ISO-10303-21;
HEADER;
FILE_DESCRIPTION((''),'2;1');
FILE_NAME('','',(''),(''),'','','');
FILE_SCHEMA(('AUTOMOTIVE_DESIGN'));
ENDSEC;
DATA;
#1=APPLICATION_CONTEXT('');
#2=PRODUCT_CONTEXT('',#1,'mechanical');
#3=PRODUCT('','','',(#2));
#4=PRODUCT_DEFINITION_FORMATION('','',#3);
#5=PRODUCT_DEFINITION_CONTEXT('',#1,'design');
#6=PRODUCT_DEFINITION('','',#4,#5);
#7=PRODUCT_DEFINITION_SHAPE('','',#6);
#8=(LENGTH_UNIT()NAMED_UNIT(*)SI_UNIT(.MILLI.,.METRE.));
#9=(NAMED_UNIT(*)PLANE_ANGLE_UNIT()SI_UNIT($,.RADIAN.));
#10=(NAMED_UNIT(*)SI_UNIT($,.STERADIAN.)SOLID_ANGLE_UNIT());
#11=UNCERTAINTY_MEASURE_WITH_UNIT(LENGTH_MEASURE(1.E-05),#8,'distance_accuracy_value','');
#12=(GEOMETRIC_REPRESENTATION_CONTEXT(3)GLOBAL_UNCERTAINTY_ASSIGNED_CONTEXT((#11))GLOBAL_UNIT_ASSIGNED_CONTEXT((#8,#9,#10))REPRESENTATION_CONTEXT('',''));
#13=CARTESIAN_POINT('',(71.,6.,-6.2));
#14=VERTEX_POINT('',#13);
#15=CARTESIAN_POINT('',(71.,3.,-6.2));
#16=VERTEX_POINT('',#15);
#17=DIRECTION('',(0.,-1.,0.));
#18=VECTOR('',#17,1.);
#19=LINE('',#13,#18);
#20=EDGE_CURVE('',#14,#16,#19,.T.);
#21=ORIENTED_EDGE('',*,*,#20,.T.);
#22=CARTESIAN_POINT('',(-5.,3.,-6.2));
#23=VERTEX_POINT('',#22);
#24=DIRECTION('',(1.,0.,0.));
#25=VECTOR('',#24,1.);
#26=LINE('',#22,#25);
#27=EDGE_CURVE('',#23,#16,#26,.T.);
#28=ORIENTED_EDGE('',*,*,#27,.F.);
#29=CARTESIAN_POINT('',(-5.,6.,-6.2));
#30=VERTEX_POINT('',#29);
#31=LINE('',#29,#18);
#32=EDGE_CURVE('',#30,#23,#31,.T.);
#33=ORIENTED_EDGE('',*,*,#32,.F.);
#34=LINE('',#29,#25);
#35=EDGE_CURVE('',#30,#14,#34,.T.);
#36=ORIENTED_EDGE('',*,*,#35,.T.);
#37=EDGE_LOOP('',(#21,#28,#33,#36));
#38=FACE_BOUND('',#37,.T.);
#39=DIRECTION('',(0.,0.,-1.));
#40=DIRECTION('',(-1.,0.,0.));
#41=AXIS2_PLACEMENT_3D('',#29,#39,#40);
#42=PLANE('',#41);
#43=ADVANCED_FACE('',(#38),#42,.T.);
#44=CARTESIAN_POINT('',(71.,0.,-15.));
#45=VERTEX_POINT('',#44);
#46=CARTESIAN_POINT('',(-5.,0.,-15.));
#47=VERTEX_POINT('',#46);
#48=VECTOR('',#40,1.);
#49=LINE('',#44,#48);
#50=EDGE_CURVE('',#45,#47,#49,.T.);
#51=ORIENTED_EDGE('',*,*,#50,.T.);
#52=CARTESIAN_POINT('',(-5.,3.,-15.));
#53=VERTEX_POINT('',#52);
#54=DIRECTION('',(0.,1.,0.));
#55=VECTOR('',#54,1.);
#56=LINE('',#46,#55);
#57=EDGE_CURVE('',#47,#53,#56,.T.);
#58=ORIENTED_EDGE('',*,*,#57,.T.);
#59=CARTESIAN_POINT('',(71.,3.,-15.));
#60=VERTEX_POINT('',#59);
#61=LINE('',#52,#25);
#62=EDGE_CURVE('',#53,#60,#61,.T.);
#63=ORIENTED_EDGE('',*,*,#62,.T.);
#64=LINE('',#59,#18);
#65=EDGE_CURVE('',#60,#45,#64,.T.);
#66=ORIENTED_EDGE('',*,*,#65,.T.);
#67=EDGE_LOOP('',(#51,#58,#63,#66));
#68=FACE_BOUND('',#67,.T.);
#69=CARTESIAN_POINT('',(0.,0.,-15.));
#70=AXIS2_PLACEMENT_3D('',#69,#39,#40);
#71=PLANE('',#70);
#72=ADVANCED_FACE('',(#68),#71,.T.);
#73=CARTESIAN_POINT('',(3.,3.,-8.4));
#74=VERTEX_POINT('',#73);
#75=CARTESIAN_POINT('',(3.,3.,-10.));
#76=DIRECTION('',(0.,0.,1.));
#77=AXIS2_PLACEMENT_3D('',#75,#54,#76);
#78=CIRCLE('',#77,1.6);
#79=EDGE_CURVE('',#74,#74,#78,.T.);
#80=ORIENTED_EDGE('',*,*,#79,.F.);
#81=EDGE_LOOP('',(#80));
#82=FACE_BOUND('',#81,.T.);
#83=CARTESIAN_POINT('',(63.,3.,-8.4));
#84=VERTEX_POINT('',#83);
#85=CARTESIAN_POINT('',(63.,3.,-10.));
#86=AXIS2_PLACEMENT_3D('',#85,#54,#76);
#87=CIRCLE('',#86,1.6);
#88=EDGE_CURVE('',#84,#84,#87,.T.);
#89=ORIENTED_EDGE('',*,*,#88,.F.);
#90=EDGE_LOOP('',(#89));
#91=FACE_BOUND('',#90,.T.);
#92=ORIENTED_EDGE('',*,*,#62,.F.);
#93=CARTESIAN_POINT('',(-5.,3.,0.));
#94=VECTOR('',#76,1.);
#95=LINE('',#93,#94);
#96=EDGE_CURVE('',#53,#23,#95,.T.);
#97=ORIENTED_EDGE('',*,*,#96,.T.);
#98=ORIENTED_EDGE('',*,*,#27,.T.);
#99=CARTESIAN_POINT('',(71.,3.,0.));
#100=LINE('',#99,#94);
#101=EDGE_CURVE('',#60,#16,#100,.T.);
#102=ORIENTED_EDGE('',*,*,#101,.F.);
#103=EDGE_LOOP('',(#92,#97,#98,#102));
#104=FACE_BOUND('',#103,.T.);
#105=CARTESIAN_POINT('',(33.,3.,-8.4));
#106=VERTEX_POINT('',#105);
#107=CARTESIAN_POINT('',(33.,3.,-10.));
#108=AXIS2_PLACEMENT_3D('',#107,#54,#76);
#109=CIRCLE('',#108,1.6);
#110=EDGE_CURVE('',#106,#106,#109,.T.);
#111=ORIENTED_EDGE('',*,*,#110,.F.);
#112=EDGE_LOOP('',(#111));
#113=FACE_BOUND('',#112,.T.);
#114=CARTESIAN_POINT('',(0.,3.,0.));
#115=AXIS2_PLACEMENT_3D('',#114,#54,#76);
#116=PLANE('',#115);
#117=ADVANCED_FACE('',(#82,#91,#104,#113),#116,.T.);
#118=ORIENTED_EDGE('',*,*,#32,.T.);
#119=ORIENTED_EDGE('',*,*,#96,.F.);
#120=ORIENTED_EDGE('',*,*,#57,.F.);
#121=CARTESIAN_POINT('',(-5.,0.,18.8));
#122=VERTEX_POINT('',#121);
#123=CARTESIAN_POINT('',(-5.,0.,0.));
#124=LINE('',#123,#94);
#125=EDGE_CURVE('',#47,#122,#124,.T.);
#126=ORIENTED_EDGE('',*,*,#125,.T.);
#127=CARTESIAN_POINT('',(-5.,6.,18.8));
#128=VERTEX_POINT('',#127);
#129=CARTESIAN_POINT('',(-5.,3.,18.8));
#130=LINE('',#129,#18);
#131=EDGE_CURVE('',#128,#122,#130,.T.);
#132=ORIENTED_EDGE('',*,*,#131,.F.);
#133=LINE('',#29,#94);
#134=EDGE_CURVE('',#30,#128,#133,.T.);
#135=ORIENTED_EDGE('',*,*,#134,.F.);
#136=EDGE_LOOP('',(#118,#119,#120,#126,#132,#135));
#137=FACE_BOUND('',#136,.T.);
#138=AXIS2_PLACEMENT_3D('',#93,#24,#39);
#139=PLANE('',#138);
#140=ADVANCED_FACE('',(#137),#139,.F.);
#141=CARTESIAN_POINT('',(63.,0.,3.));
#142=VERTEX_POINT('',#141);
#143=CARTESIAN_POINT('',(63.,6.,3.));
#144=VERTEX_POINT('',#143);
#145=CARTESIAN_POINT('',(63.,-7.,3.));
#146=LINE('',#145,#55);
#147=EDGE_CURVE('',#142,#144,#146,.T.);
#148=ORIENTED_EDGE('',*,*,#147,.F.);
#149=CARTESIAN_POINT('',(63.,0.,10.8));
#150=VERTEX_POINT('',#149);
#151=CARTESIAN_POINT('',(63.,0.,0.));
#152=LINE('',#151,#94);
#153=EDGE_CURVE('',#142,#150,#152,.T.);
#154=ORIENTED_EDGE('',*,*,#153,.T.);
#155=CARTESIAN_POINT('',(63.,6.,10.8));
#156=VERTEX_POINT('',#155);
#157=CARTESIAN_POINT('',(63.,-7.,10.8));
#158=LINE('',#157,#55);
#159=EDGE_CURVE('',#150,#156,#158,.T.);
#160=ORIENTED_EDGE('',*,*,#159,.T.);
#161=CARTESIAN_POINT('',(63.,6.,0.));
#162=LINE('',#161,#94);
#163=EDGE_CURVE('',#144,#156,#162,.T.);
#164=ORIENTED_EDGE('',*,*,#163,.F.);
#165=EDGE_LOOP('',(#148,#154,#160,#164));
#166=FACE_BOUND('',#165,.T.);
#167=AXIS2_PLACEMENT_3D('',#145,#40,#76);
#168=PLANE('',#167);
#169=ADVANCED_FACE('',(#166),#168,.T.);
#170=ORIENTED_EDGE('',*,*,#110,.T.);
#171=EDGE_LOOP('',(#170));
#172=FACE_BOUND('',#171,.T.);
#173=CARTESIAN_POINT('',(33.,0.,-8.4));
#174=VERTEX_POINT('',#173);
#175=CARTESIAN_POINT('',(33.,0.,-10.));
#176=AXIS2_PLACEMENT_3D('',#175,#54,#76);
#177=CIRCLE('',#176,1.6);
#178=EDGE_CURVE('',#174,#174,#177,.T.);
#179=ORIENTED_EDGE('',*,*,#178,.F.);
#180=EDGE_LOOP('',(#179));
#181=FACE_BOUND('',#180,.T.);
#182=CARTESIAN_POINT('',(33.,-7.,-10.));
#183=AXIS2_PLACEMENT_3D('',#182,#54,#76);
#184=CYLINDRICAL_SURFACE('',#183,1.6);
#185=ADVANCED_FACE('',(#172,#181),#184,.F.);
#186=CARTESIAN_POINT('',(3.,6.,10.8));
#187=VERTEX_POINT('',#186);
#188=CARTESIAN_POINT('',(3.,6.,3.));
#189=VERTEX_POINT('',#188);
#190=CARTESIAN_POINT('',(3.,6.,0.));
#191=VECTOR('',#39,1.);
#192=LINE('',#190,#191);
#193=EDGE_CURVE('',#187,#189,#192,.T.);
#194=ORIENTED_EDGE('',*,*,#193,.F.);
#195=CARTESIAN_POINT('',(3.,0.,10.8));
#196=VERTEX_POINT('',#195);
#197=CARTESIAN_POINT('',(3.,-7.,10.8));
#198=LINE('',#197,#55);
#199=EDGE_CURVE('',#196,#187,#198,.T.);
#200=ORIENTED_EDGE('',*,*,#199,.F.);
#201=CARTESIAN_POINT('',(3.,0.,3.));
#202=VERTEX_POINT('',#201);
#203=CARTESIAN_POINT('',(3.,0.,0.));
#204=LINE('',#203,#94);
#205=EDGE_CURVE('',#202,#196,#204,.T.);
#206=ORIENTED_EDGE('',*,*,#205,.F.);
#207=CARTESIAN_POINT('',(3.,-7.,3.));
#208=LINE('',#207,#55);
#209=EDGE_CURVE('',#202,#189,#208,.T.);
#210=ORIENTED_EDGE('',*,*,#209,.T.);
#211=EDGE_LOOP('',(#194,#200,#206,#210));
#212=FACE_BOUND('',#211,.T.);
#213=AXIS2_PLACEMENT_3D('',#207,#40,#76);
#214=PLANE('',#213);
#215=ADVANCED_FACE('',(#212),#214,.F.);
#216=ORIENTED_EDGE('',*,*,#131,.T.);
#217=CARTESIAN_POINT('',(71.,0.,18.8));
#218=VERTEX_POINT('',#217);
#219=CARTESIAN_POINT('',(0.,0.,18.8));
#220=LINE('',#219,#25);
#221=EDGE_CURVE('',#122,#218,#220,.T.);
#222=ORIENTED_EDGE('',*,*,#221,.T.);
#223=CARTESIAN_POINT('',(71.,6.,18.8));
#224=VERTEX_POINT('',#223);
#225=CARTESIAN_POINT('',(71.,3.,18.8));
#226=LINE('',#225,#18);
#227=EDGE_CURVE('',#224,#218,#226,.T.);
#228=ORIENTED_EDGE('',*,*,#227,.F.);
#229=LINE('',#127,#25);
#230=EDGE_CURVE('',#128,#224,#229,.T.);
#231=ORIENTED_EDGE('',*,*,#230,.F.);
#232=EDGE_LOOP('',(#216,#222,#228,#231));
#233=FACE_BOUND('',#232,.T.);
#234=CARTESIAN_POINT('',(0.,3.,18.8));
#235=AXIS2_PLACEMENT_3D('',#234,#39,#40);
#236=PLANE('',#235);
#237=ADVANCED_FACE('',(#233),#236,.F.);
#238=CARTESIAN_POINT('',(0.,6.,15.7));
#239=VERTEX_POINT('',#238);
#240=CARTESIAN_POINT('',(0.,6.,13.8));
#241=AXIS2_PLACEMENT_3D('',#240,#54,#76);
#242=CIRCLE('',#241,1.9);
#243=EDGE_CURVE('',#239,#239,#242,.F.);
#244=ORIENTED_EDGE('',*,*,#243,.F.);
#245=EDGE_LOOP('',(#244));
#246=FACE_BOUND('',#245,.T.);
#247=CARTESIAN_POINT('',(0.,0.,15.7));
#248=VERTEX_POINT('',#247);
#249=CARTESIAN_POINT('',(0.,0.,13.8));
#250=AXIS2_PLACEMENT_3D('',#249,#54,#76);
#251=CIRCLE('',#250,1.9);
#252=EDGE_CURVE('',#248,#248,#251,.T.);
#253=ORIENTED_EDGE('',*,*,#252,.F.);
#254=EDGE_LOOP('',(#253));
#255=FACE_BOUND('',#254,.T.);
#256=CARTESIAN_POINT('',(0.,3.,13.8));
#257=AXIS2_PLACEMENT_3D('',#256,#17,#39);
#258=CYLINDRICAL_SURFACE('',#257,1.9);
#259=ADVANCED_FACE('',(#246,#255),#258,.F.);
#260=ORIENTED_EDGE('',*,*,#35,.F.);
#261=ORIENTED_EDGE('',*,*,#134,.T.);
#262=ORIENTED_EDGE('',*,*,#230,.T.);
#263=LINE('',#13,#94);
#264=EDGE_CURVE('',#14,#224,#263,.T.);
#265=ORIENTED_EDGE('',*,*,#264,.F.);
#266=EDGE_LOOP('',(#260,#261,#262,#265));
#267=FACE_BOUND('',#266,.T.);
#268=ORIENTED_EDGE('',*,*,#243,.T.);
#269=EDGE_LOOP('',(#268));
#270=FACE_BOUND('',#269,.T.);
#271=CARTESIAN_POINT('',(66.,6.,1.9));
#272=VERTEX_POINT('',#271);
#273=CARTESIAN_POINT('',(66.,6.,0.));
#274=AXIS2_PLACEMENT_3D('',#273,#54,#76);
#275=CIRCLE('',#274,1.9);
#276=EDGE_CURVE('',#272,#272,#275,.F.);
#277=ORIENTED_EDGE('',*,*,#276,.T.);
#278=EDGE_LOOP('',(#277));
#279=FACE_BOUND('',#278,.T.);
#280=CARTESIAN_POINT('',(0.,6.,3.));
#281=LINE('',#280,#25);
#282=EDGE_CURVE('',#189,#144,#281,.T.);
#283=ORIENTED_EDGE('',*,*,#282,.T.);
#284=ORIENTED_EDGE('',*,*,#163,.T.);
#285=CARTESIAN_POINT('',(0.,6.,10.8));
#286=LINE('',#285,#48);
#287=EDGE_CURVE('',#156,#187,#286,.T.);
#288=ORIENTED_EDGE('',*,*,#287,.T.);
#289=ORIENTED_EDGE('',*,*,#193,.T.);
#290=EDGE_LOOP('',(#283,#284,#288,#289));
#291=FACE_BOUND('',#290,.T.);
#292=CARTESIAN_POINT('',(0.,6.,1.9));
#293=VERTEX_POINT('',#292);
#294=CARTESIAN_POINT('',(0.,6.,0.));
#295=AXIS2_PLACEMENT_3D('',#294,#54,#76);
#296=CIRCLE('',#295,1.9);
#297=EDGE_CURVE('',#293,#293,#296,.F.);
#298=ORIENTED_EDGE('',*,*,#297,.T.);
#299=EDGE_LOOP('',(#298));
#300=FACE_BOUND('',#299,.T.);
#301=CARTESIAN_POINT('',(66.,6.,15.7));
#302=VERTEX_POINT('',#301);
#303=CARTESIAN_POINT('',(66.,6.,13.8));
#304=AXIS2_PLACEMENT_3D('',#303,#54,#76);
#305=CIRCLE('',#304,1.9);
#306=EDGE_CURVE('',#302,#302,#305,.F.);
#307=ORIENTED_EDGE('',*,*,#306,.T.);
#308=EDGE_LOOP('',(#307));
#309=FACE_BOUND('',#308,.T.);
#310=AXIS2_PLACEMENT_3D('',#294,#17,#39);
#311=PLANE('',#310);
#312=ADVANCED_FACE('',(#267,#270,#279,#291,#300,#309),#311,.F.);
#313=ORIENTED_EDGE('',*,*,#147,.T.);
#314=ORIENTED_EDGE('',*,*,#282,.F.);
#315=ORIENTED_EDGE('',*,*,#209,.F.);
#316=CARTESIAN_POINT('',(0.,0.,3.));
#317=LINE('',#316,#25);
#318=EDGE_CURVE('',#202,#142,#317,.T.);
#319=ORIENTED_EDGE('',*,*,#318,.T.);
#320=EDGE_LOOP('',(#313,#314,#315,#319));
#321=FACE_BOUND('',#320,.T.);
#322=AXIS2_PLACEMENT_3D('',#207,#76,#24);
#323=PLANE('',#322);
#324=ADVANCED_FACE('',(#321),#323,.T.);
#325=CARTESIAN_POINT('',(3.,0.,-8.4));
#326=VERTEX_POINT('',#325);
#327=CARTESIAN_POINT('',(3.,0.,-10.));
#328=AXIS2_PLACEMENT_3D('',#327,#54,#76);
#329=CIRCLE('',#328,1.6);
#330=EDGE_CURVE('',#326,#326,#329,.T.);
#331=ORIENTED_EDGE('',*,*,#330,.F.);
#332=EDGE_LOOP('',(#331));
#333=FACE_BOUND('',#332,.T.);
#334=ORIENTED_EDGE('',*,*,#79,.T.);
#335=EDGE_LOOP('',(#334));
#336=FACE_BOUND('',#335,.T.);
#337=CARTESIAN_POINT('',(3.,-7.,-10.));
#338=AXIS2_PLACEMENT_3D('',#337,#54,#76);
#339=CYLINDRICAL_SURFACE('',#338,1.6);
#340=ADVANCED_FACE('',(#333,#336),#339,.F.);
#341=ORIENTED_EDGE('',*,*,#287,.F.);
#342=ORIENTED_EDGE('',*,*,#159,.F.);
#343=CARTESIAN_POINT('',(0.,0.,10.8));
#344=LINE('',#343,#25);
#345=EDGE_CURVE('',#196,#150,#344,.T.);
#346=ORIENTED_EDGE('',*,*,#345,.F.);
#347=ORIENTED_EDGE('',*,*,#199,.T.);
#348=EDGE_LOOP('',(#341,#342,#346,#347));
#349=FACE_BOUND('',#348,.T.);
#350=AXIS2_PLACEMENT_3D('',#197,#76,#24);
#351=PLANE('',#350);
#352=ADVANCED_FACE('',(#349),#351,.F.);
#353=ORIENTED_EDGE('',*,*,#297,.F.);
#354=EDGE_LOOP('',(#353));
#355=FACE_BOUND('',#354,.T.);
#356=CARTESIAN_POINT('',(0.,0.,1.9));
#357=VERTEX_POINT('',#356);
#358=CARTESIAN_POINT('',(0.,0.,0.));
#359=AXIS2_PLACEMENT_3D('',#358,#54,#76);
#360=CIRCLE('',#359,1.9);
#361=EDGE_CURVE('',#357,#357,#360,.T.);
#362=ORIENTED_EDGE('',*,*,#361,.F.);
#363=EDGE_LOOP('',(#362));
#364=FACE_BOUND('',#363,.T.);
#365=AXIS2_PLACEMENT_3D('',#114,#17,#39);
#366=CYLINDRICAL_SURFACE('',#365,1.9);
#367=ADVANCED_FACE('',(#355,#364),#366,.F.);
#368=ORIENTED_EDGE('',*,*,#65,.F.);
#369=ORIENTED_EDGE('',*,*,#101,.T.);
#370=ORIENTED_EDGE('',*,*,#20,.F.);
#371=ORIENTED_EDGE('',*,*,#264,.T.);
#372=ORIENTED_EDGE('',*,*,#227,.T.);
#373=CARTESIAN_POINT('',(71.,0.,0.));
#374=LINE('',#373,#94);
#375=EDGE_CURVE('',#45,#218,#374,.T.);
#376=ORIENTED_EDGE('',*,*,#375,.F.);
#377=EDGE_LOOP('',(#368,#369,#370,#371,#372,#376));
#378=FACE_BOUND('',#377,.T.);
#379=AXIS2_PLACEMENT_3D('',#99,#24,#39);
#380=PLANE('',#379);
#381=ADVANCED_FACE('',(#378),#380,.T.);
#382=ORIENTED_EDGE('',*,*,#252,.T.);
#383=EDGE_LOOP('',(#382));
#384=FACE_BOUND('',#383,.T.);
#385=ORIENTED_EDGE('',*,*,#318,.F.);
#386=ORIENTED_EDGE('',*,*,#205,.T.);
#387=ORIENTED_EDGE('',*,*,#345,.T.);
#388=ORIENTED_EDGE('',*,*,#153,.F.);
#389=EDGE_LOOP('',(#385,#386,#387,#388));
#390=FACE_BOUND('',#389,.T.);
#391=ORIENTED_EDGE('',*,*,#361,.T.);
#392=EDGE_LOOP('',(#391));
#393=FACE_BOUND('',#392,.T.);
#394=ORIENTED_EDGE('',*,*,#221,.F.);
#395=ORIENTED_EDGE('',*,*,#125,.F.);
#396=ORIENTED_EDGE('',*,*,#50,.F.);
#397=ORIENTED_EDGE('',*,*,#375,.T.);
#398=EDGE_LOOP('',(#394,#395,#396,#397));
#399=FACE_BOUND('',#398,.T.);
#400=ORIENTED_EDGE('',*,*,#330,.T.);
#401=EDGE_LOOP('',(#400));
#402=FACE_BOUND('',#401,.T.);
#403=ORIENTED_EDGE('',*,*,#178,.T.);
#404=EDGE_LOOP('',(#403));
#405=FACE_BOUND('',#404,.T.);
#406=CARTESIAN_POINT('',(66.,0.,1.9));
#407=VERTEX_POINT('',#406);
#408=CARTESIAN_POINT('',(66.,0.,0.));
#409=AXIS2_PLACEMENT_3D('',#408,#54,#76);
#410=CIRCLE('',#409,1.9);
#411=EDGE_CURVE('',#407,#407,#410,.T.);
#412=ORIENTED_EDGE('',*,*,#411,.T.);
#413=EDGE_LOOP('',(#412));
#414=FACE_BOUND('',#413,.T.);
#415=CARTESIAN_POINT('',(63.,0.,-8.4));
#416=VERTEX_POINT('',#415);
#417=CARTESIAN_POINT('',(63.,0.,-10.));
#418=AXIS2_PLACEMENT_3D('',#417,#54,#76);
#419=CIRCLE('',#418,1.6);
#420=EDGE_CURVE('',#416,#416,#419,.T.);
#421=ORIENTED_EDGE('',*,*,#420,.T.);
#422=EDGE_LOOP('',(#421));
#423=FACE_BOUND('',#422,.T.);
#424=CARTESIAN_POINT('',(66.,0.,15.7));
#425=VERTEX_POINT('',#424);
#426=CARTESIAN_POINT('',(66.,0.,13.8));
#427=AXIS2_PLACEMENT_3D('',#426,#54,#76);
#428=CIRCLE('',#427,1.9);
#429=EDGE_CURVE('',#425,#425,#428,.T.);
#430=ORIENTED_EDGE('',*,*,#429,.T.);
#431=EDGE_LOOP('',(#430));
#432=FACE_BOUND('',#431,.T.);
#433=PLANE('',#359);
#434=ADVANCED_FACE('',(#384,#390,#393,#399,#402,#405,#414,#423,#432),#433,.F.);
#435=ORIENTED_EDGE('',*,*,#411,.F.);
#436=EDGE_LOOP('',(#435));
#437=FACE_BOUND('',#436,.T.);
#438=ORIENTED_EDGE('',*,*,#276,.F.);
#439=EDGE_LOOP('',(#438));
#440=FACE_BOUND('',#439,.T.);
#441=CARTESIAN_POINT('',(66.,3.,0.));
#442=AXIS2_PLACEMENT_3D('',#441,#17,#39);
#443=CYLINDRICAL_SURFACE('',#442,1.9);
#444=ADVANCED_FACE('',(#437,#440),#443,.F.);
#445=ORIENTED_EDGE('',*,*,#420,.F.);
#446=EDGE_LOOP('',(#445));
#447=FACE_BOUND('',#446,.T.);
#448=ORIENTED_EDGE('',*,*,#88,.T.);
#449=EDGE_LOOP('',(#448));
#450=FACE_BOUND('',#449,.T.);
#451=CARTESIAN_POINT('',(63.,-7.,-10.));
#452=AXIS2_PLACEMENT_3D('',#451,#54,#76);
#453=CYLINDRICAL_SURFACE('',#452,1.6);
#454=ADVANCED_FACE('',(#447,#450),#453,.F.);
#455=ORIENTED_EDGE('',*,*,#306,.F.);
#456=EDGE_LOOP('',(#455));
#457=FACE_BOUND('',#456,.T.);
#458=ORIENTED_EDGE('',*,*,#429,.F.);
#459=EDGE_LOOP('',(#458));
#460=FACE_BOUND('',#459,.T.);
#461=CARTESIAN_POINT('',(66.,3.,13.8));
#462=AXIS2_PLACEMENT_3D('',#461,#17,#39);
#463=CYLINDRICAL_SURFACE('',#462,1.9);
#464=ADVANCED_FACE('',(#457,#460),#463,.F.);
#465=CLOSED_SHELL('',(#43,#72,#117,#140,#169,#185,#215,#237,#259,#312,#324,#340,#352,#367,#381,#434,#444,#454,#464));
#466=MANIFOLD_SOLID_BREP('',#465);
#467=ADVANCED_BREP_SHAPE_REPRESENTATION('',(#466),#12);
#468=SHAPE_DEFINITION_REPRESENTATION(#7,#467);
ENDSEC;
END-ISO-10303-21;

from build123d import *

# Parameters (mm, degrees)
SKETCH_1_W          = 76
SKETCH_1_H          = 23.8
SKETCH_1_R          = 1.9
EXTRUDE_1_DEPTH     = 3
SKETCH_3_W          = 76
SKETCH_3_H          = 3
EXTRUDE_2_DEPTH     = 10
SKETCH_4_R          = 1.6
CUT_EXTRUDE_1_DEPTH = 10
SKETCH_5_W          = 60
SKETCH_5_H          = 7.8
CUT_EXTRUDE_2_DEPTH = 10
SKETCH_6_W          = 76
SKETCH_6_H          = 25
SKETCH_6_R          = 1.9
SKETCH_6_W_2        = 60
SKETCH_6_H_2        = 7.8
EXTRUDE_3_DEPTH     = 3


with BuildPart() as part:
    # 草图1 → 凸台-拉伸1 (new body)
    with BuildSketch(Plane(origin=(0, 0, 0), x_dir=(1, 0, 0), z_dir=(0, 1, 0))):
        with Locations((33, -6.9)):
            Rectangle(SKETCH_1_W, SKETCH_1_H)
        Circle(SKETCH_1_R, mode=Mode.SUBTRACT)
        with Locations((0, -13.8)):
            Circle(SKETCH_1_R, mode=Mode.SUBTRACT)
        with Locations((66, -13.8)):
            Circle(SKETCH_1_R, mode=Mode.SUBTRACT)
        with Locations((66, 0)):
            Circle(SKETCH_1_R, mode=Mode.SUBTRACT)
    extrude(amount=EXTRUDE_1_DEPTH)

    # 草图3 → 凸台-拉伸2 (add)
    with BuildSketch(Plane(origin=(0, 0, -5), x_dir=(-1, 0, 0), z_dir=(0, 0, -1))):
        with Locations((-33, 1.5)):
            Rectangle(SKETCH_3_W, SKETCH_3_H)
    extrude(amount=EXTRUDE_2_DEPTH)

    # 草图4 → 切除-拉伸1 (cut)
    with BuildSketch(Plane(origin=(0, 3, 0), x_dir=(1, 0, 0), z_dir=(0, 1, 0))):
        with Locations((3, 10)):
            Circle(SKETCH_4_R)
        with Locations((33, 10)):
            Circle(SKETCH_4_R)
        with Locations((63, 10)):
            Circle(SKETCH_4_R)
    extrude(amount=-CUT_EXTRUDE_1_DEPTH, mode=Mode.SUBTRACT)

    # 草图5 → 切除-拉伸2 (cut)
    with BuildSketch(Plane(origin=(0, 3, 0), x_dir=(1, 0, 0), z_dir=(0, 1, 0))):
        with Locations((33, -6.9)):
            Rectangle(SKETCH_5_W, SKETCH_5_H)
    extrude(amount=-CUT_EXTRUDE_2_DEPTH, mode=Mode.SUBTRACT)

    # 草图6 → 凸台-拉伸3 (add)
    with BuildSketch(Plane(origin=(0, 3, 0), x_dir=(1, 0, 0), z_dir=(0, 1, 0))):
        with Locations((33, -6.3)):
            Rectangle(SKETCH_6_W, SKETCH_6_H)
        with Locations((0, -13.8)):
            Circle(SKETCH_6_R, mode=Mode.SUBTRACT)
        with Locations((33, -6.9)):
            Rectangle(SKETCH_6_W_2, SKETCH_6_H_2, mode=Mode.SUBTRACT)
        with Locations((66, -13.8)):
            Circle(SKETCH_6_R, mode=Mode.SUBTRACT)
        Circle(SKETCH_6_R, mode=Mode.SUBTRACT)
        with Locations((66, 0)):
            Circle(SKETCH_6_R, mode=Mode.SUBTRACT)
    extrude(amount=EXTRUDE_3_DEPTH)


solid = part.part
